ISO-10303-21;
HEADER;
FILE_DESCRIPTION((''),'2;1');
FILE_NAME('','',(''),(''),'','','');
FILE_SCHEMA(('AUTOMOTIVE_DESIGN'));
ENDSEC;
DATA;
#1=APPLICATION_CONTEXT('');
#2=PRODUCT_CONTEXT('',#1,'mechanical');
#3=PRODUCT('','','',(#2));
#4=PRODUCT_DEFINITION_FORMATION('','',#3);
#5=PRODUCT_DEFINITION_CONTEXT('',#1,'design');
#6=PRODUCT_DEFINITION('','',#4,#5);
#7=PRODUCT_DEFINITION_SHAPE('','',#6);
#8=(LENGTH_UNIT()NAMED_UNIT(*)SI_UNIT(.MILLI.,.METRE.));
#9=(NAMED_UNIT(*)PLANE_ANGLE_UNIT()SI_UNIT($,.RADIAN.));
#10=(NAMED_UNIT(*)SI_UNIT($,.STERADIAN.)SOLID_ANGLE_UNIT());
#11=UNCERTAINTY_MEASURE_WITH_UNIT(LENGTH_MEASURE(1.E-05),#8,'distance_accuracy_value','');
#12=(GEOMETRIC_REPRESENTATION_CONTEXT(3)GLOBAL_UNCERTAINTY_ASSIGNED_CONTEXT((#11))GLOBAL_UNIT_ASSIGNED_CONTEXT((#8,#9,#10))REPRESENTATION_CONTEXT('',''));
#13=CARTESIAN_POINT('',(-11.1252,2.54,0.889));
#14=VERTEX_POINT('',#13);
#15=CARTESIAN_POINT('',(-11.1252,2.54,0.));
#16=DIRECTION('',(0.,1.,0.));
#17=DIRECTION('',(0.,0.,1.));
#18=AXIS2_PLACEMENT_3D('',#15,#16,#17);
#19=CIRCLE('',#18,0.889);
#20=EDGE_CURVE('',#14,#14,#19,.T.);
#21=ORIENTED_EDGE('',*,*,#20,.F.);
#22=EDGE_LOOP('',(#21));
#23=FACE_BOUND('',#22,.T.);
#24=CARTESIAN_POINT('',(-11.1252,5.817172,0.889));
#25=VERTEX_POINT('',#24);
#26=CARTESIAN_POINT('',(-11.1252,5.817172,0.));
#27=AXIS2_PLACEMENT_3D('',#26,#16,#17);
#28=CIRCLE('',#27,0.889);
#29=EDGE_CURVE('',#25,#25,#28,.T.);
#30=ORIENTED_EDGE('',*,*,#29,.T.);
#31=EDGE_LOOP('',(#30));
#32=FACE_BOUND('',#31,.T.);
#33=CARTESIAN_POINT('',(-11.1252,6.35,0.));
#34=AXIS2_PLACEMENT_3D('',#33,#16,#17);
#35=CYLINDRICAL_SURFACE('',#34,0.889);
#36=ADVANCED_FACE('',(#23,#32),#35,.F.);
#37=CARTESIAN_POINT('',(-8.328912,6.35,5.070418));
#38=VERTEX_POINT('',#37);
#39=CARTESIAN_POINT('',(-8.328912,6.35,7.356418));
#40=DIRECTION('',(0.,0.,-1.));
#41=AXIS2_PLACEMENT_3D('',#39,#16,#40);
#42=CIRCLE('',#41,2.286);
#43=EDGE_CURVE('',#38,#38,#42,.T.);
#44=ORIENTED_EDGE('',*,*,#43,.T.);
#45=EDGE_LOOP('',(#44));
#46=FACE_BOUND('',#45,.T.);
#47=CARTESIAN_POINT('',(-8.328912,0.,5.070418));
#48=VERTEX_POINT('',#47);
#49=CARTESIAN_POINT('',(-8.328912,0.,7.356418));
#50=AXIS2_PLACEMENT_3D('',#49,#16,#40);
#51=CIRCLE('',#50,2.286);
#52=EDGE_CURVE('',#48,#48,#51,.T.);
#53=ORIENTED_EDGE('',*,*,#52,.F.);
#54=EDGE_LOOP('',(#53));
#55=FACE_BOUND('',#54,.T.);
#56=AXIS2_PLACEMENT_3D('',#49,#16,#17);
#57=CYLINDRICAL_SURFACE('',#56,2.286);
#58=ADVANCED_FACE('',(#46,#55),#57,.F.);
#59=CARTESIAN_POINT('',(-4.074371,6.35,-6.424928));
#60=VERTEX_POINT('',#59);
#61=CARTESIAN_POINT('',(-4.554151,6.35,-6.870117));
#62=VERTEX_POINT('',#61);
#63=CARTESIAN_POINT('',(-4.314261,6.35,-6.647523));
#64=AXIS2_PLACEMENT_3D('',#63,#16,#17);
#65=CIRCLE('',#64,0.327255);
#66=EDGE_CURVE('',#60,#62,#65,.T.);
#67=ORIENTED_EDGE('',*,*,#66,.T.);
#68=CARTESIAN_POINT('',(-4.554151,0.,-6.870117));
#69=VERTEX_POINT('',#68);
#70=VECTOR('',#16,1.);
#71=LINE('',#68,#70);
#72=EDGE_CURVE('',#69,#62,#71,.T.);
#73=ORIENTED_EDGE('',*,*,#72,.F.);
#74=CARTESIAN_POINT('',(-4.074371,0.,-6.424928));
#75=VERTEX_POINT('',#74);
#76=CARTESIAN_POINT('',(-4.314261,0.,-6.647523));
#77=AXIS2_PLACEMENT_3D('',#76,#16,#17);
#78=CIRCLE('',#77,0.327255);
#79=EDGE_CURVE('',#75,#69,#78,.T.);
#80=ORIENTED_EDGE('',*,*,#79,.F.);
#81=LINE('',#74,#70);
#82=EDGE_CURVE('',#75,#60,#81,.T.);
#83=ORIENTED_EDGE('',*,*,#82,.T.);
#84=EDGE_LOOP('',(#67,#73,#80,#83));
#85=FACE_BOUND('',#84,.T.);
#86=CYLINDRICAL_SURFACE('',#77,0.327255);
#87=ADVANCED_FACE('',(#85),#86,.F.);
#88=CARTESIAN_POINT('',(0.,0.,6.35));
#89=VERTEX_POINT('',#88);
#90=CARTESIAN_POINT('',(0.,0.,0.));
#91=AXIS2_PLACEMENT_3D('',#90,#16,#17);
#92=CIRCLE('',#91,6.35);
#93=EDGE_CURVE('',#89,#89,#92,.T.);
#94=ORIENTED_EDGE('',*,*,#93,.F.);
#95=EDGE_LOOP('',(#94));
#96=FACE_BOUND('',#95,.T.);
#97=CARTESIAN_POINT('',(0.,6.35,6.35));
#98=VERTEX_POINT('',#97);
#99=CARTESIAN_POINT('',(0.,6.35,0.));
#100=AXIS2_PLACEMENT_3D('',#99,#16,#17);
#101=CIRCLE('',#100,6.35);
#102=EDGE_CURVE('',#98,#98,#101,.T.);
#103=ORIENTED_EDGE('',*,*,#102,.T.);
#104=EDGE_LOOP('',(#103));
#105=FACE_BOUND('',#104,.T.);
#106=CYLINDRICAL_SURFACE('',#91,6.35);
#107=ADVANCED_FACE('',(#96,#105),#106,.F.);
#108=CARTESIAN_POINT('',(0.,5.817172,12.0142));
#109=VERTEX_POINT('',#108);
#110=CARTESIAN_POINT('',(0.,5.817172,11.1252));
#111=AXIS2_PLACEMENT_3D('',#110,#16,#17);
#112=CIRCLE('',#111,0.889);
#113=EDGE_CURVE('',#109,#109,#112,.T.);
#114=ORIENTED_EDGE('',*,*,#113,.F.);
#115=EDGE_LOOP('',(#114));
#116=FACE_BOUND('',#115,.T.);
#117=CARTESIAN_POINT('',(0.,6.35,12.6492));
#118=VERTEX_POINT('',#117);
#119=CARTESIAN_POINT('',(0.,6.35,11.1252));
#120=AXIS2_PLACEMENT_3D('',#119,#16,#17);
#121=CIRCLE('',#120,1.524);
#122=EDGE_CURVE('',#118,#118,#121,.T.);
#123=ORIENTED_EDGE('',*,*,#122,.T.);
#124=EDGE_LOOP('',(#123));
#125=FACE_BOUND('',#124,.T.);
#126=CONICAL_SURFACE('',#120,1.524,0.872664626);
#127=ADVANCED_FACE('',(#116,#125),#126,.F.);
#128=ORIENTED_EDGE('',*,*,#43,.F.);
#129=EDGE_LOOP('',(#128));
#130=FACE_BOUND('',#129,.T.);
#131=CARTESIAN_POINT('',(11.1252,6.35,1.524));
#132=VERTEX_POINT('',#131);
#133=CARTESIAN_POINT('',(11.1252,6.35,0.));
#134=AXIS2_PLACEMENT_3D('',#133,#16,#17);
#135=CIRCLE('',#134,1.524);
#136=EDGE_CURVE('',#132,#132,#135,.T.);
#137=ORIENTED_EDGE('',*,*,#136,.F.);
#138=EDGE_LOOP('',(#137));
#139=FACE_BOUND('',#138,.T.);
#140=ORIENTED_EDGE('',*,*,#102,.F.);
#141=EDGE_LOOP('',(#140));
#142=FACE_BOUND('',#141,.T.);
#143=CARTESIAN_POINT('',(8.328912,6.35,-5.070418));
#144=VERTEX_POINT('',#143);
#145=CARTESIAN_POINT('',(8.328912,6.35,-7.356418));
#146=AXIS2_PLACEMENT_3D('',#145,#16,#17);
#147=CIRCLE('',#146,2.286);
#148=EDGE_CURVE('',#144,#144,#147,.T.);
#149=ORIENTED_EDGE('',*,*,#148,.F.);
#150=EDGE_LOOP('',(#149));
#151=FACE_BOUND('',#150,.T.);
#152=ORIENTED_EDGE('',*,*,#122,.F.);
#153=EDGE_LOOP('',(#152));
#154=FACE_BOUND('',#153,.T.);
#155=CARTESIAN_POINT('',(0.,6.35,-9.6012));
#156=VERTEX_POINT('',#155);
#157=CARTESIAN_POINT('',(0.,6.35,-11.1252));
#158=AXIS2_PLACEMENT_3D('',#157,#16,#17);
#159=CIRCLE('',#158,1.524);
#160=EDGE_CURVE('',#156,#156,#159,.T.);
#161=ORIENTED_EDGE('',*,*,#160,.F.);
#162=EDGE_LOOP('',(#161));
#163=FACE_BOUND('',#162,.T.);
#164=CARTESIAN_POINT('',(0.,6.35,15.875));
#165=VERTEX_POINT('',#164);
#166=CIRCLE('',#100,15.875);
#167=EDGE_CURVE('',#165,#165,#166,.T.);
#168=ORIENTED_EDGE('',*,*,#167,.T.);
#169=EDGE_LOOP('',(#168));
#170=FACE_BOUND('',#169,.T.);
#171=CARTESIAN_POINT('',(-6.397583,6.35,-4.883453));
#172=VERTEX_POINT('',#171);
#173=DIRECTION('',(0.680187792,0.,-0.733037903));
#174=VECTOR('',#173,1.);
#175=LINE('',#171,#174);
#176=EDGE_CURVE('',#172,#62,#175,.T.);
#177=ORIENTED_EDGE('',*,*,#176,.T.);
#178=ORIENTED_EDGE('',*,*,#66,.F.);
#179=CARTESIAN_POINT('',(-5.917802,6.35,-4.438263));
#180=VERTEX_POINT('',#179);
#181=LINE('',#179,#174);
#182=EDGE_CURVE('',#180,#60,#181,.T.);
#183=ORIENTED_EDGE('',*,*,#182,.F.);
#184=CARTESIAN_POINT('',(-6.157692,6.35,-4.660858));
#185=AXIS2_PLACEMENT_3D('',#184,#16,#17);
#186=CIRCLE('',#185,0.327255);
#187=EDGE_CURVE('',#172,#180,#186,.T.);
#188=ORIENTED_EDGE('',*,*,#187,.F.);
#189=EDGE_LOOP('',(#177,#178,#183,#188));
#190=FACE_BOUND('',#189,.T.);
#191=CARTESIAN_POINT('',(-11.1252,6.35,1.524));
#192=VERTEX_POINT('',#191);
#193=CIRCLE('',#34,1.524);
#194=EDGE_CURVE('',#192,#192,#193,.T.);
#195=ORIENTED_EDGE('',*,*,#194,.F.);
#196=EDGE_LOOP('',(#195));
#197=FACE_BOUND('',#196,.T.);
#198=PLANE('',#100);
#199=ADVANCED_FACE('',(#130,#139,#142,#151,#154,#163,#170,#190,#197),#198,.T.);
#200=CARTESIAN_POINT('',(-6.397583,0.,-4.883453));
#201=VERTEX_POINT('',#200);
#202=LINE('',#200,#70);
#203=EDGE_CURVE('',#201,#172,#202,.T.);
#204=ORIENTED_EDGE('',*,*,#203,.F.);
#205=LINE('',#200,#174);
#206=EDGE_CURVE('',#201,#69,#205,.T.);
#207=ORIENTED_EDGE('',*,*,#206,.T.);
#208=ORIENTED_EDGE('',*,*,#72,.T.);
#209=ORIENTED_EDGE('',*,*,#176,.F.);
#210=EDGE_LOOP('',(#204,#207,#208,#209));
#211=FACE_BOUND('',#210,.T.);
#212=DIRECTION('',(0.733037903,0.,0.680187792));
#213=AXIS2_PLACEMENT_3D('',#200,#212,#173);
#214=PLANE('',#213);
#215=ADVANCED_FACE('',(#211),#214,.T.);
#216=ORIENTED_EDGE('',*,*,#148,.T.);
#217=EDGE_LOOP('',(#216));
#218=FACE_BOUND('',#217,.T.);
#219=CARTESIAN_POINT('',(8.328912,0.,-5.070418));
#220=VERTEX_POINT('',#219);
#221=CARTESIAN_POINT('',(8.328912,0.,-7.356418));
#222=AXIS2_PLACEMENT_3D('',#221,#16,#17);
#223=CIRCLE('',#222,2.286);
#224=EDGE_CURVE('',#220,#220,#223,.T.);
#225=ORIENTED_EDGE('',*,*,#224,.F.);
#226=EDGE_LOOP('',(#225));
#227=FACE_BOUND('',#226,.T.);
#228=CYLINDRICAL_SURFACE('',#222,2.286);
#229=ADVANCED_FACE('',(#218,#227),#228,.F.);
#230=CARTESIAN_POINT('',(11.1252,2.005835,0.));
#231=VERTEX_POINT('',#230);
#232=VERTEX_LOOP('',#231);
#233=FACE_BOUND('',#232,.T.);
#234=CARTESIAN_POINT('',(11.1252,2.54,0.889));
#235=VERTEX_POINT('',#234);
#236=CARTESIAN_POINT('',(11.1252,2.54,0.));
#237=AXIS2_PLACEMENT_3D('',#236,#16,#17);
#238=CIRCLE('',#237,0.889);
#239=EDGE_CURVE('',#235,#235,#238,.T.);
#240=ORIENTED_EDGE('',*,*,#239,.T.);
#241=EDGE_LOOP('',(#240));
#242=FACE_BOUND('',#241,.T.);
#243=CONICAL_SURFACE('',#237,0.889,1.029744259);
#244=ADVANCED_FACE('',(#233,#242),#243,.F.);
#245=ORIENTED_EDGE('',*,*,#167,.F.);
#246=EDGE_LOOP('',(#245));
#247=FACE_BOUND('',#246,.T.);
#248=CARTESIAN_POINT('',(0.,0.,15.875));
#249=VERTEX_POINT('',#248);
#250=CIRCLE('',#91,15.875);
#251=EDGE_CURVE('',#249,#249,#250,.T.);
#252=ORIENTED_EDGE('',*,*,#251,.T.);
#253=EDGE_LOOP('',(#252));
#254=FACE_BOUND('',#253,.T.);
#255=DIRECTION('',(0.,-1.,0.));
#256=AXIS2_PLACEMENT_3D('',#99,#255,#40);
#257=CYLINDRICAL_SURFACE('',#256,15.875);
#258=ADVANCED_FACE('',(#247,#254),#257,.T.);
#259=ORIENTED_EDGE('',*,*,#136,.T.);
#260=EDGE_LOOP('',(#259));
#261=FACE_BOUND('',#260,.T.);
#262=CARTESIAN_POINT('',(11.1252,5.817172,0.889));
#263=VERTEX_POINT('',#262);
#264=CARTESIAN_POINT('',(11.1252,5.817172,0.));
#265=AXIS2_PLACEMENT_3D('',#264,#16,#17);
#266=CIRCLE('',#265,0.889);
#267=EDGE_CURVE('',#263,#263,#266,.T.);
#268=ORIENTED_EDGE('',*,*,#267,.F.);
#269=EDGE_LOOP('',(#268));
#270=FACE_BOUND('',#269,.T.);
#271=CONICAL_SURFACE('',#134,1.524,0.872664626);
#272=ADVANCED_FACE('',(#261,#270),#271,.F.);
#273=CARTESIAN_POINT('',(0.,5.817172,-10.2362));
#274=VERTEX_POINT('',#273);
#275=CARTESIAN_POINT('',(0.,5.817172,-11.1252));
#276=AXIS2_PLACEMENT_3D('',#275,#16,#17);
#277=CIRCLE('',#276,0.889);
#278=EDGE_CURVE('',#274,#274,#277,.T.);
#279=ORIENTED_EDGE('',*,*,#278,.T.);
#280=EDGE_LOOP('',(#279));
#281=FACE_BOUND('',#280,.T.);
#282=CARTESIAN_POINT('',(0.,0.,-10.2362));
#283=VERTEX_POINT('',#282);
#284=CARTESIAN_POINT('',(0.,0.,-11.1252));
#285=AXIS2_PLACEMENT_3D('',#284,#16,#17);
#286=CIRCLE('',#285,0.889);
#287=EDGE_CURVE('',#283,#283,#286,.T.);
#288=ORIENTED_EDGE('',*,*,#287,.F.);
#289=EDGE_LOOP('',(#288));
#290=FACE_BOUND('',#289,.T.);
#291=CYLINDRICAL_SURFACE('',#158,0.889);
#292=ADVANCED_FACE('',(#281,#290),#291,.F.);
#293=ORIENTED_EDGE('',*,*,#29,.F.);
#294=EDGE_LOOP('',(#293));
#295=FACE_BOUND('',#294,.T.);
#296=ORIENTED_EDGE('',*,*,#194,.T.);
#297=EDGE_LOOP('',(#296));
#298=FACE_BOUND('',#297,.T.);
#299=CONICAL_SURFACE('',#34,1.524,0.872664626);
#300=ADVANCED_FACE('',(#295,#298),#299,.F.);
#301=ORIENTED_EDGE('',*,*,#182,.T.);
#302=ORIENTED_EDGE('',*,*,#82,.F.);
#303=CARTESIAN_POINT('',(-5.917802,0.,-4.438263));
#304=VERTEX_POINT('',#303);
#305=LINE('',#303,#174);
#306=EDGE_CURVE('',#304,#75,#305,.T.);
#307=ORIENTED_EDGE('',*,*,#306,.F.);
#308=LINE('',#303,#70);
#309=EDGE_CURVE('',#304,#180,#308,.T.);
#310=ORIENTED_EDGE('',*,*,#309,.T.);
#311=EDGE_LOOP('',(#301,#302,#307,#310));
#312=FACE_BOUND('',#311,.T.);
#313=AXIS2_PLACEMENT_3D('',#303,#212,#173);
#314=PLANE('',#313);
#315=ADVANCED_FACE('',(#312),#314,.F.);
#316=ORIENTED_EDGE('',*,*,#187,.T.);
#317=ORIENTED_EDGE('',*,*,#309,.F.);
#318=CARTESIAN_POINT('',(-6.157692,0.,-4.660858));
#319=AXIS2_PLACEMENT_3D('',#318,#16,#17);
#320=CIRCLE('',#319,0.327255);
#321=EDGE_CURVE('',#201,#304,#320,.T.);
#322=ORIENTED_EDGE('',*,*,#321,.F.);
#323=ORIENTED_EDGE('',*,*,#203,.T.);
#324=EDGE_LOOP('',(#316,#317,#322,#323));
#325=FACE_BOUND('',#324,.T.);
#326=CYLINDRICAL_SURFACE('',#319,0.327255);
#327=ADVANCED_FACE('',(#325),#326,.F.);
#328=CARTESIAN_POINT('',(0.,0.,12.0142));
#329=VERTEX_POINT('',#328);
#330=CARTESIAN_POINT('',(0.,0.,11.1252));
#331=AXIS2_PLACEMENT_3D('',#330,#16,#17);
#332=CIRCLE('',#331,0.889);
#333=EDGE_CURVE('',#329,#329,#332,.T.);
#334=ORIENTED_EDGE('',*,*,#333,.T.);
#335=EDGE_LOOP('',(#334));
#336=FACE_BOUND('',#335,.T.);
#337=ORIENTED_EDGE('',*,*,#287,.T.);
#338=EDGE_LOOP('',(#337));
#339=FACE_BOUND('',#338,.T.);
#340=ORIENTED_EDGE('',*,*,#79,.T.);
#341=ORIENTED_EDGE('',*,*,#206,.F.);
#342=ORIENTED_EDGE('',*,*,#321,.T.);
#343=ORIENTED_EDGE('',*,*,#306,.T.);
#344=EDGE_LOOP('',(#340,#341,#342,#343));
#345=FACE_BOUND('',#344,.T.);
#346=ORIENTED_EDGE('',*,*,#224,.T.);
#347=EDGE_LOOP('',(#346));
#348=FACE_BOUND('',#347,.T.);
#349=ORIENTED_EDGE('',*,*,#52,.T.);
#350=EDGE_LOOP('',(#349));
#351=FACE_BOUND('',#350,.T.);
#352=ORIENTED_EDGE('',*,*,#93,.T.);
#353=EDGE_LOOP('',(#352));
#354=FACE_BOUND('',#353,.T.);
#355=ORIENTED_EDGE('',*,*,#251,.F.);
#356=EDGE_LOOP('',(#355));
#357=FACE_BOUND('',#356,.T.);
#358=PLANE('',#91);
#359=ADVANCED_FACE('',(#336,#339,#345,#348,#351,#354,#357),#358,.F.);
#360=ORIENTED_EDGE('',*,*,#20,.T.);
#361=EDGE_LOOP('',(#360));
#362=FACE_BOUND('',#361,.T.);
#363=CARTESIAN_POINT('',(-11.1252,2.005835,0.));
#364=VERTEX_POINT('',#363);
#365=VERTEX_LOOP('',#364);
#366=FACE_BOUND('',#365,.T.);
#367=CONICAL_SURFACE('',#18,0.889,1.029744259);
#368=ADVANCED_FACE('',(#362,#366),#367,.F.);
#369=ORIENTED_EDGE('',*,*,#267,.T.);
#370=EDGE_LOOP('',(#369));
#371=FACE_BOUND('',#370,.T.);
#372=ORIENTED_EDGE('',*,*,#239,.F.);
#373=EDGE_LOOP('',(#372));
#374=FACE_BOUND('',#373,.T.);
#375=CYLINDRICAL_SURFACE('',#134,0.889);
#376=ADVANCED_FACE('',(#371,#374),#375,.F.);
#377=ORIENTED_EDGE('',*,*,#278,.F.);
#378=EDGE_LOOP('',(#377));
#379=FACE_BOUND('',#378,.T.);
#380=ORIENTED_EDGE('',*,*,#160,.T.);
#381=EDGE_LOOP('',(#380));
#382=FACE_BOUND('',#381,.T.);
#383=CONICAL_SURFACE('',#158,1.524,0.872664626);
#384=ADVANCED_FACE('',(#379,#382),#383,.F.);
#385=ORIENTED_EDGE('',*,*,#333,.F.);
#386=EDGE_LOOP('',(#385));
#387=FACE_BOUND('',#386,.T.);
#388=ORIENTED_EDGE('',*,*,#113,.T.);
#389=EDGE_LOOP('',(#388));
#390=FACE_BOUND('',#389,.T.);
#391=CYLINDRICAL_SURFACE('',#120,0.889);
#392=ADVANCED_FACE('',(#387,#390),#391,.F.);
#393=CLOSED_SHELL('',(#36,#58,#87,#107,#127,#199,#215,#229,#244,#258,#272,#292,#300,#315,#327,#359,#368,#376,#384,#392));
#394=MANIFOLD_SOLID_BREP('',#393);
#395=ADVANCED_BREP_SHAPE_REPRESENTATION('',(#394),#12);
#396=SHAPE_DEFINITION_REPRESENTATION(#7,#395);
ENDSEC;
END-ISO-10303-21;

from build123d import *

# Parameters (mm, degrees)
SKETCH1_R                           = 15.875
BOSS_EXTRUDE1_DEPTH                 = 6.35
SKETCH2_R                           = 6.35
CUT_EXTRUDE1_DEPTH                  = 24.3313898
TAP_DRILL_FOR_2_56_TAP2_D           = 1.778
TAP_DRILL_FOR_2_56_TAP2_CSINK_D     = 3.048
TAP_DRILL_FOR_2_56_TAP2_CSINK_ANGLE = 100
CIRPATTERN1_COUNT                   = 2
CIRPATTERN2_COUNT                   = 2
SKETCH11_R                          = 2.286
CUT_EXTRUDE2_DEPTH                  = 24.3313898
CIRPATTERN3_COUNT                   = 2
CUT_EXTRUDE3_DEPTH                  = 24.3313898


with BuildPart() as part:
    # Sketch1 → Boss-Extrude1 (new body)
    with BuildSketch(Plane(origin=(0, 0, 0), x_dir=(1, 0, 0), z_dir=(0, 1, 0))):
        with Locations(Location((0, 0, 0), (0, 0, 270))):
            Circle(SKETCH1_R)
    extrude(amount=BOSS_EXTRUDE1_DEPTH)

    # Sketch2 → Cut-Extrude1 (cut, through all)
    with BuildSketch(Plane(origin=(0, 6.35, 0), x_dir=(1, 0, 0), z_dir=(0, 1, 0))):
        with Locations(Location((0, 0, 0), (0, 0, 270))):
            Circle(SKETCH2_R)
    extrude(amount=-CUT_EXTRUDE1_DEPTH, mode=Mode.SUBTRACT)

    # Tap Drill for #2-56 Tap2 (through all)
    with Locations(Plane(origin=(0, 6.35, 0), x_dir=(1, 0, 0), z_dir=(0, 1, 0))):
        with Locations((0, 11.1252)):
            tap_drill_for_2_56_tap2 = CounterSinkHole(TAP_DRILL_FOR_2_56_TAP2_D / 2, TAP_DRILL_FOR_2_56_TAP2_CSINK_D / 2, counter_sink_angle=TAP_DRILL_FOR_2_56_TAP2_CSINK_ANGLE)

    # CirPattern1: Tap Drill for #2-56 Tap2 ×2 about axis
    cirpattern1_axis = Axis((0, 0, 0), (0, 1, 0))
    for i in range(1, CIRPATTERN1_COUNT):
        add(tap_drill_for_2_56_tap2.rotate(cirpattern1_axis, i * 360 / CIRPATTERN1_COUNT), mode=Mode.SUBTRACT)

    # Sketch10 → Tap Drill for #2-56 Tap1 (revolve, cut)
    with BuildSketch(Plane(origin=(11.1252, 6.35, 0), x_dir=(0, 0, 1), z_dir=(1, 0, 0))):
        Polygon((0, 0), (0, 4.34416509), (0.889, 3.81), (0.889, 0.532828266), (1.524, 0), align=None)
    tap_drill_for_2_56_tap1 = revolve(axis=Axis((11.1252, 12.7, 0), (0, -1, 0)), mode=Mode.SUBTRACT)

    # CirPattern2: Tap Drill for #2-56 Tap1 ×2 about axis
    cirpattern2_axis = Axis((0, 0, 0), (0, 1, 0))
    for i in range(1, CIRPATTERN2_COUNT):
        add(tap_drill_for_2_56_tap1.rotate(cirpattern2_axis, i * 360 / CIRPATTERN2_COUNT), mode=Mode.SUBTRACT)

    # Sketch11 → Cut-Extrude2 (cut, through all)
    with BuildSketch(Plane(origin=(0, 6.35, 0), x_dir=(1, 0, 0), z_dir=(0, 1, 0))):
        with Locations(Location((8.328911597, 7.35641814, 0), (0, 0, 270))):
            Circle(SKETCH11_R)
    cut_extrude2 = extrude(amount=-CUT_EXTRUDE2_DEPTH, mode=Mode.SUBTRACT)

    # CirPattern3: Cut-Extrude2 ×2 about axis
    cirpattern3_axis = Axis((0, 0, 0), (0, 1, 0))
    for i in range(1, CIRPATTERN3_COUNT):
        add(cut_extrude2.rotate(cirpattern3_axis, i * 360 / CIRPATTERN3_COUNT), mode=Mode.SUBTRACT)

    # Sketch12 → Cut-Extrude3 (cut, through all)
    with BuildSketch(Plane(origin=(0, 6.35, 0), x_dir=(1, 0, 0), z_dir=(0, 1, 0))):
        with BuildLine():
            Line((-6.39758264, 4.883452605), (-4.554151289, 6.87011727))
            ThreePointArc((-4.554151289, 6.87011727), (-4.0916663, 6.887412726), (-4.074370844, 6.424927737))
            Line((-4.074370844, 6.424927737), (-5.917802195, 4.438263073))
            ThreePointArc((-5.917802195, 4.438263073), (-6.380287183, 4.420967617), (-6.39758264, 4.883452605))
        make_face()
    extrude(amount=-CUT_EXTRUDE3_DEPTH, mode=Mode.SUBTRACT)


solid = part.part
